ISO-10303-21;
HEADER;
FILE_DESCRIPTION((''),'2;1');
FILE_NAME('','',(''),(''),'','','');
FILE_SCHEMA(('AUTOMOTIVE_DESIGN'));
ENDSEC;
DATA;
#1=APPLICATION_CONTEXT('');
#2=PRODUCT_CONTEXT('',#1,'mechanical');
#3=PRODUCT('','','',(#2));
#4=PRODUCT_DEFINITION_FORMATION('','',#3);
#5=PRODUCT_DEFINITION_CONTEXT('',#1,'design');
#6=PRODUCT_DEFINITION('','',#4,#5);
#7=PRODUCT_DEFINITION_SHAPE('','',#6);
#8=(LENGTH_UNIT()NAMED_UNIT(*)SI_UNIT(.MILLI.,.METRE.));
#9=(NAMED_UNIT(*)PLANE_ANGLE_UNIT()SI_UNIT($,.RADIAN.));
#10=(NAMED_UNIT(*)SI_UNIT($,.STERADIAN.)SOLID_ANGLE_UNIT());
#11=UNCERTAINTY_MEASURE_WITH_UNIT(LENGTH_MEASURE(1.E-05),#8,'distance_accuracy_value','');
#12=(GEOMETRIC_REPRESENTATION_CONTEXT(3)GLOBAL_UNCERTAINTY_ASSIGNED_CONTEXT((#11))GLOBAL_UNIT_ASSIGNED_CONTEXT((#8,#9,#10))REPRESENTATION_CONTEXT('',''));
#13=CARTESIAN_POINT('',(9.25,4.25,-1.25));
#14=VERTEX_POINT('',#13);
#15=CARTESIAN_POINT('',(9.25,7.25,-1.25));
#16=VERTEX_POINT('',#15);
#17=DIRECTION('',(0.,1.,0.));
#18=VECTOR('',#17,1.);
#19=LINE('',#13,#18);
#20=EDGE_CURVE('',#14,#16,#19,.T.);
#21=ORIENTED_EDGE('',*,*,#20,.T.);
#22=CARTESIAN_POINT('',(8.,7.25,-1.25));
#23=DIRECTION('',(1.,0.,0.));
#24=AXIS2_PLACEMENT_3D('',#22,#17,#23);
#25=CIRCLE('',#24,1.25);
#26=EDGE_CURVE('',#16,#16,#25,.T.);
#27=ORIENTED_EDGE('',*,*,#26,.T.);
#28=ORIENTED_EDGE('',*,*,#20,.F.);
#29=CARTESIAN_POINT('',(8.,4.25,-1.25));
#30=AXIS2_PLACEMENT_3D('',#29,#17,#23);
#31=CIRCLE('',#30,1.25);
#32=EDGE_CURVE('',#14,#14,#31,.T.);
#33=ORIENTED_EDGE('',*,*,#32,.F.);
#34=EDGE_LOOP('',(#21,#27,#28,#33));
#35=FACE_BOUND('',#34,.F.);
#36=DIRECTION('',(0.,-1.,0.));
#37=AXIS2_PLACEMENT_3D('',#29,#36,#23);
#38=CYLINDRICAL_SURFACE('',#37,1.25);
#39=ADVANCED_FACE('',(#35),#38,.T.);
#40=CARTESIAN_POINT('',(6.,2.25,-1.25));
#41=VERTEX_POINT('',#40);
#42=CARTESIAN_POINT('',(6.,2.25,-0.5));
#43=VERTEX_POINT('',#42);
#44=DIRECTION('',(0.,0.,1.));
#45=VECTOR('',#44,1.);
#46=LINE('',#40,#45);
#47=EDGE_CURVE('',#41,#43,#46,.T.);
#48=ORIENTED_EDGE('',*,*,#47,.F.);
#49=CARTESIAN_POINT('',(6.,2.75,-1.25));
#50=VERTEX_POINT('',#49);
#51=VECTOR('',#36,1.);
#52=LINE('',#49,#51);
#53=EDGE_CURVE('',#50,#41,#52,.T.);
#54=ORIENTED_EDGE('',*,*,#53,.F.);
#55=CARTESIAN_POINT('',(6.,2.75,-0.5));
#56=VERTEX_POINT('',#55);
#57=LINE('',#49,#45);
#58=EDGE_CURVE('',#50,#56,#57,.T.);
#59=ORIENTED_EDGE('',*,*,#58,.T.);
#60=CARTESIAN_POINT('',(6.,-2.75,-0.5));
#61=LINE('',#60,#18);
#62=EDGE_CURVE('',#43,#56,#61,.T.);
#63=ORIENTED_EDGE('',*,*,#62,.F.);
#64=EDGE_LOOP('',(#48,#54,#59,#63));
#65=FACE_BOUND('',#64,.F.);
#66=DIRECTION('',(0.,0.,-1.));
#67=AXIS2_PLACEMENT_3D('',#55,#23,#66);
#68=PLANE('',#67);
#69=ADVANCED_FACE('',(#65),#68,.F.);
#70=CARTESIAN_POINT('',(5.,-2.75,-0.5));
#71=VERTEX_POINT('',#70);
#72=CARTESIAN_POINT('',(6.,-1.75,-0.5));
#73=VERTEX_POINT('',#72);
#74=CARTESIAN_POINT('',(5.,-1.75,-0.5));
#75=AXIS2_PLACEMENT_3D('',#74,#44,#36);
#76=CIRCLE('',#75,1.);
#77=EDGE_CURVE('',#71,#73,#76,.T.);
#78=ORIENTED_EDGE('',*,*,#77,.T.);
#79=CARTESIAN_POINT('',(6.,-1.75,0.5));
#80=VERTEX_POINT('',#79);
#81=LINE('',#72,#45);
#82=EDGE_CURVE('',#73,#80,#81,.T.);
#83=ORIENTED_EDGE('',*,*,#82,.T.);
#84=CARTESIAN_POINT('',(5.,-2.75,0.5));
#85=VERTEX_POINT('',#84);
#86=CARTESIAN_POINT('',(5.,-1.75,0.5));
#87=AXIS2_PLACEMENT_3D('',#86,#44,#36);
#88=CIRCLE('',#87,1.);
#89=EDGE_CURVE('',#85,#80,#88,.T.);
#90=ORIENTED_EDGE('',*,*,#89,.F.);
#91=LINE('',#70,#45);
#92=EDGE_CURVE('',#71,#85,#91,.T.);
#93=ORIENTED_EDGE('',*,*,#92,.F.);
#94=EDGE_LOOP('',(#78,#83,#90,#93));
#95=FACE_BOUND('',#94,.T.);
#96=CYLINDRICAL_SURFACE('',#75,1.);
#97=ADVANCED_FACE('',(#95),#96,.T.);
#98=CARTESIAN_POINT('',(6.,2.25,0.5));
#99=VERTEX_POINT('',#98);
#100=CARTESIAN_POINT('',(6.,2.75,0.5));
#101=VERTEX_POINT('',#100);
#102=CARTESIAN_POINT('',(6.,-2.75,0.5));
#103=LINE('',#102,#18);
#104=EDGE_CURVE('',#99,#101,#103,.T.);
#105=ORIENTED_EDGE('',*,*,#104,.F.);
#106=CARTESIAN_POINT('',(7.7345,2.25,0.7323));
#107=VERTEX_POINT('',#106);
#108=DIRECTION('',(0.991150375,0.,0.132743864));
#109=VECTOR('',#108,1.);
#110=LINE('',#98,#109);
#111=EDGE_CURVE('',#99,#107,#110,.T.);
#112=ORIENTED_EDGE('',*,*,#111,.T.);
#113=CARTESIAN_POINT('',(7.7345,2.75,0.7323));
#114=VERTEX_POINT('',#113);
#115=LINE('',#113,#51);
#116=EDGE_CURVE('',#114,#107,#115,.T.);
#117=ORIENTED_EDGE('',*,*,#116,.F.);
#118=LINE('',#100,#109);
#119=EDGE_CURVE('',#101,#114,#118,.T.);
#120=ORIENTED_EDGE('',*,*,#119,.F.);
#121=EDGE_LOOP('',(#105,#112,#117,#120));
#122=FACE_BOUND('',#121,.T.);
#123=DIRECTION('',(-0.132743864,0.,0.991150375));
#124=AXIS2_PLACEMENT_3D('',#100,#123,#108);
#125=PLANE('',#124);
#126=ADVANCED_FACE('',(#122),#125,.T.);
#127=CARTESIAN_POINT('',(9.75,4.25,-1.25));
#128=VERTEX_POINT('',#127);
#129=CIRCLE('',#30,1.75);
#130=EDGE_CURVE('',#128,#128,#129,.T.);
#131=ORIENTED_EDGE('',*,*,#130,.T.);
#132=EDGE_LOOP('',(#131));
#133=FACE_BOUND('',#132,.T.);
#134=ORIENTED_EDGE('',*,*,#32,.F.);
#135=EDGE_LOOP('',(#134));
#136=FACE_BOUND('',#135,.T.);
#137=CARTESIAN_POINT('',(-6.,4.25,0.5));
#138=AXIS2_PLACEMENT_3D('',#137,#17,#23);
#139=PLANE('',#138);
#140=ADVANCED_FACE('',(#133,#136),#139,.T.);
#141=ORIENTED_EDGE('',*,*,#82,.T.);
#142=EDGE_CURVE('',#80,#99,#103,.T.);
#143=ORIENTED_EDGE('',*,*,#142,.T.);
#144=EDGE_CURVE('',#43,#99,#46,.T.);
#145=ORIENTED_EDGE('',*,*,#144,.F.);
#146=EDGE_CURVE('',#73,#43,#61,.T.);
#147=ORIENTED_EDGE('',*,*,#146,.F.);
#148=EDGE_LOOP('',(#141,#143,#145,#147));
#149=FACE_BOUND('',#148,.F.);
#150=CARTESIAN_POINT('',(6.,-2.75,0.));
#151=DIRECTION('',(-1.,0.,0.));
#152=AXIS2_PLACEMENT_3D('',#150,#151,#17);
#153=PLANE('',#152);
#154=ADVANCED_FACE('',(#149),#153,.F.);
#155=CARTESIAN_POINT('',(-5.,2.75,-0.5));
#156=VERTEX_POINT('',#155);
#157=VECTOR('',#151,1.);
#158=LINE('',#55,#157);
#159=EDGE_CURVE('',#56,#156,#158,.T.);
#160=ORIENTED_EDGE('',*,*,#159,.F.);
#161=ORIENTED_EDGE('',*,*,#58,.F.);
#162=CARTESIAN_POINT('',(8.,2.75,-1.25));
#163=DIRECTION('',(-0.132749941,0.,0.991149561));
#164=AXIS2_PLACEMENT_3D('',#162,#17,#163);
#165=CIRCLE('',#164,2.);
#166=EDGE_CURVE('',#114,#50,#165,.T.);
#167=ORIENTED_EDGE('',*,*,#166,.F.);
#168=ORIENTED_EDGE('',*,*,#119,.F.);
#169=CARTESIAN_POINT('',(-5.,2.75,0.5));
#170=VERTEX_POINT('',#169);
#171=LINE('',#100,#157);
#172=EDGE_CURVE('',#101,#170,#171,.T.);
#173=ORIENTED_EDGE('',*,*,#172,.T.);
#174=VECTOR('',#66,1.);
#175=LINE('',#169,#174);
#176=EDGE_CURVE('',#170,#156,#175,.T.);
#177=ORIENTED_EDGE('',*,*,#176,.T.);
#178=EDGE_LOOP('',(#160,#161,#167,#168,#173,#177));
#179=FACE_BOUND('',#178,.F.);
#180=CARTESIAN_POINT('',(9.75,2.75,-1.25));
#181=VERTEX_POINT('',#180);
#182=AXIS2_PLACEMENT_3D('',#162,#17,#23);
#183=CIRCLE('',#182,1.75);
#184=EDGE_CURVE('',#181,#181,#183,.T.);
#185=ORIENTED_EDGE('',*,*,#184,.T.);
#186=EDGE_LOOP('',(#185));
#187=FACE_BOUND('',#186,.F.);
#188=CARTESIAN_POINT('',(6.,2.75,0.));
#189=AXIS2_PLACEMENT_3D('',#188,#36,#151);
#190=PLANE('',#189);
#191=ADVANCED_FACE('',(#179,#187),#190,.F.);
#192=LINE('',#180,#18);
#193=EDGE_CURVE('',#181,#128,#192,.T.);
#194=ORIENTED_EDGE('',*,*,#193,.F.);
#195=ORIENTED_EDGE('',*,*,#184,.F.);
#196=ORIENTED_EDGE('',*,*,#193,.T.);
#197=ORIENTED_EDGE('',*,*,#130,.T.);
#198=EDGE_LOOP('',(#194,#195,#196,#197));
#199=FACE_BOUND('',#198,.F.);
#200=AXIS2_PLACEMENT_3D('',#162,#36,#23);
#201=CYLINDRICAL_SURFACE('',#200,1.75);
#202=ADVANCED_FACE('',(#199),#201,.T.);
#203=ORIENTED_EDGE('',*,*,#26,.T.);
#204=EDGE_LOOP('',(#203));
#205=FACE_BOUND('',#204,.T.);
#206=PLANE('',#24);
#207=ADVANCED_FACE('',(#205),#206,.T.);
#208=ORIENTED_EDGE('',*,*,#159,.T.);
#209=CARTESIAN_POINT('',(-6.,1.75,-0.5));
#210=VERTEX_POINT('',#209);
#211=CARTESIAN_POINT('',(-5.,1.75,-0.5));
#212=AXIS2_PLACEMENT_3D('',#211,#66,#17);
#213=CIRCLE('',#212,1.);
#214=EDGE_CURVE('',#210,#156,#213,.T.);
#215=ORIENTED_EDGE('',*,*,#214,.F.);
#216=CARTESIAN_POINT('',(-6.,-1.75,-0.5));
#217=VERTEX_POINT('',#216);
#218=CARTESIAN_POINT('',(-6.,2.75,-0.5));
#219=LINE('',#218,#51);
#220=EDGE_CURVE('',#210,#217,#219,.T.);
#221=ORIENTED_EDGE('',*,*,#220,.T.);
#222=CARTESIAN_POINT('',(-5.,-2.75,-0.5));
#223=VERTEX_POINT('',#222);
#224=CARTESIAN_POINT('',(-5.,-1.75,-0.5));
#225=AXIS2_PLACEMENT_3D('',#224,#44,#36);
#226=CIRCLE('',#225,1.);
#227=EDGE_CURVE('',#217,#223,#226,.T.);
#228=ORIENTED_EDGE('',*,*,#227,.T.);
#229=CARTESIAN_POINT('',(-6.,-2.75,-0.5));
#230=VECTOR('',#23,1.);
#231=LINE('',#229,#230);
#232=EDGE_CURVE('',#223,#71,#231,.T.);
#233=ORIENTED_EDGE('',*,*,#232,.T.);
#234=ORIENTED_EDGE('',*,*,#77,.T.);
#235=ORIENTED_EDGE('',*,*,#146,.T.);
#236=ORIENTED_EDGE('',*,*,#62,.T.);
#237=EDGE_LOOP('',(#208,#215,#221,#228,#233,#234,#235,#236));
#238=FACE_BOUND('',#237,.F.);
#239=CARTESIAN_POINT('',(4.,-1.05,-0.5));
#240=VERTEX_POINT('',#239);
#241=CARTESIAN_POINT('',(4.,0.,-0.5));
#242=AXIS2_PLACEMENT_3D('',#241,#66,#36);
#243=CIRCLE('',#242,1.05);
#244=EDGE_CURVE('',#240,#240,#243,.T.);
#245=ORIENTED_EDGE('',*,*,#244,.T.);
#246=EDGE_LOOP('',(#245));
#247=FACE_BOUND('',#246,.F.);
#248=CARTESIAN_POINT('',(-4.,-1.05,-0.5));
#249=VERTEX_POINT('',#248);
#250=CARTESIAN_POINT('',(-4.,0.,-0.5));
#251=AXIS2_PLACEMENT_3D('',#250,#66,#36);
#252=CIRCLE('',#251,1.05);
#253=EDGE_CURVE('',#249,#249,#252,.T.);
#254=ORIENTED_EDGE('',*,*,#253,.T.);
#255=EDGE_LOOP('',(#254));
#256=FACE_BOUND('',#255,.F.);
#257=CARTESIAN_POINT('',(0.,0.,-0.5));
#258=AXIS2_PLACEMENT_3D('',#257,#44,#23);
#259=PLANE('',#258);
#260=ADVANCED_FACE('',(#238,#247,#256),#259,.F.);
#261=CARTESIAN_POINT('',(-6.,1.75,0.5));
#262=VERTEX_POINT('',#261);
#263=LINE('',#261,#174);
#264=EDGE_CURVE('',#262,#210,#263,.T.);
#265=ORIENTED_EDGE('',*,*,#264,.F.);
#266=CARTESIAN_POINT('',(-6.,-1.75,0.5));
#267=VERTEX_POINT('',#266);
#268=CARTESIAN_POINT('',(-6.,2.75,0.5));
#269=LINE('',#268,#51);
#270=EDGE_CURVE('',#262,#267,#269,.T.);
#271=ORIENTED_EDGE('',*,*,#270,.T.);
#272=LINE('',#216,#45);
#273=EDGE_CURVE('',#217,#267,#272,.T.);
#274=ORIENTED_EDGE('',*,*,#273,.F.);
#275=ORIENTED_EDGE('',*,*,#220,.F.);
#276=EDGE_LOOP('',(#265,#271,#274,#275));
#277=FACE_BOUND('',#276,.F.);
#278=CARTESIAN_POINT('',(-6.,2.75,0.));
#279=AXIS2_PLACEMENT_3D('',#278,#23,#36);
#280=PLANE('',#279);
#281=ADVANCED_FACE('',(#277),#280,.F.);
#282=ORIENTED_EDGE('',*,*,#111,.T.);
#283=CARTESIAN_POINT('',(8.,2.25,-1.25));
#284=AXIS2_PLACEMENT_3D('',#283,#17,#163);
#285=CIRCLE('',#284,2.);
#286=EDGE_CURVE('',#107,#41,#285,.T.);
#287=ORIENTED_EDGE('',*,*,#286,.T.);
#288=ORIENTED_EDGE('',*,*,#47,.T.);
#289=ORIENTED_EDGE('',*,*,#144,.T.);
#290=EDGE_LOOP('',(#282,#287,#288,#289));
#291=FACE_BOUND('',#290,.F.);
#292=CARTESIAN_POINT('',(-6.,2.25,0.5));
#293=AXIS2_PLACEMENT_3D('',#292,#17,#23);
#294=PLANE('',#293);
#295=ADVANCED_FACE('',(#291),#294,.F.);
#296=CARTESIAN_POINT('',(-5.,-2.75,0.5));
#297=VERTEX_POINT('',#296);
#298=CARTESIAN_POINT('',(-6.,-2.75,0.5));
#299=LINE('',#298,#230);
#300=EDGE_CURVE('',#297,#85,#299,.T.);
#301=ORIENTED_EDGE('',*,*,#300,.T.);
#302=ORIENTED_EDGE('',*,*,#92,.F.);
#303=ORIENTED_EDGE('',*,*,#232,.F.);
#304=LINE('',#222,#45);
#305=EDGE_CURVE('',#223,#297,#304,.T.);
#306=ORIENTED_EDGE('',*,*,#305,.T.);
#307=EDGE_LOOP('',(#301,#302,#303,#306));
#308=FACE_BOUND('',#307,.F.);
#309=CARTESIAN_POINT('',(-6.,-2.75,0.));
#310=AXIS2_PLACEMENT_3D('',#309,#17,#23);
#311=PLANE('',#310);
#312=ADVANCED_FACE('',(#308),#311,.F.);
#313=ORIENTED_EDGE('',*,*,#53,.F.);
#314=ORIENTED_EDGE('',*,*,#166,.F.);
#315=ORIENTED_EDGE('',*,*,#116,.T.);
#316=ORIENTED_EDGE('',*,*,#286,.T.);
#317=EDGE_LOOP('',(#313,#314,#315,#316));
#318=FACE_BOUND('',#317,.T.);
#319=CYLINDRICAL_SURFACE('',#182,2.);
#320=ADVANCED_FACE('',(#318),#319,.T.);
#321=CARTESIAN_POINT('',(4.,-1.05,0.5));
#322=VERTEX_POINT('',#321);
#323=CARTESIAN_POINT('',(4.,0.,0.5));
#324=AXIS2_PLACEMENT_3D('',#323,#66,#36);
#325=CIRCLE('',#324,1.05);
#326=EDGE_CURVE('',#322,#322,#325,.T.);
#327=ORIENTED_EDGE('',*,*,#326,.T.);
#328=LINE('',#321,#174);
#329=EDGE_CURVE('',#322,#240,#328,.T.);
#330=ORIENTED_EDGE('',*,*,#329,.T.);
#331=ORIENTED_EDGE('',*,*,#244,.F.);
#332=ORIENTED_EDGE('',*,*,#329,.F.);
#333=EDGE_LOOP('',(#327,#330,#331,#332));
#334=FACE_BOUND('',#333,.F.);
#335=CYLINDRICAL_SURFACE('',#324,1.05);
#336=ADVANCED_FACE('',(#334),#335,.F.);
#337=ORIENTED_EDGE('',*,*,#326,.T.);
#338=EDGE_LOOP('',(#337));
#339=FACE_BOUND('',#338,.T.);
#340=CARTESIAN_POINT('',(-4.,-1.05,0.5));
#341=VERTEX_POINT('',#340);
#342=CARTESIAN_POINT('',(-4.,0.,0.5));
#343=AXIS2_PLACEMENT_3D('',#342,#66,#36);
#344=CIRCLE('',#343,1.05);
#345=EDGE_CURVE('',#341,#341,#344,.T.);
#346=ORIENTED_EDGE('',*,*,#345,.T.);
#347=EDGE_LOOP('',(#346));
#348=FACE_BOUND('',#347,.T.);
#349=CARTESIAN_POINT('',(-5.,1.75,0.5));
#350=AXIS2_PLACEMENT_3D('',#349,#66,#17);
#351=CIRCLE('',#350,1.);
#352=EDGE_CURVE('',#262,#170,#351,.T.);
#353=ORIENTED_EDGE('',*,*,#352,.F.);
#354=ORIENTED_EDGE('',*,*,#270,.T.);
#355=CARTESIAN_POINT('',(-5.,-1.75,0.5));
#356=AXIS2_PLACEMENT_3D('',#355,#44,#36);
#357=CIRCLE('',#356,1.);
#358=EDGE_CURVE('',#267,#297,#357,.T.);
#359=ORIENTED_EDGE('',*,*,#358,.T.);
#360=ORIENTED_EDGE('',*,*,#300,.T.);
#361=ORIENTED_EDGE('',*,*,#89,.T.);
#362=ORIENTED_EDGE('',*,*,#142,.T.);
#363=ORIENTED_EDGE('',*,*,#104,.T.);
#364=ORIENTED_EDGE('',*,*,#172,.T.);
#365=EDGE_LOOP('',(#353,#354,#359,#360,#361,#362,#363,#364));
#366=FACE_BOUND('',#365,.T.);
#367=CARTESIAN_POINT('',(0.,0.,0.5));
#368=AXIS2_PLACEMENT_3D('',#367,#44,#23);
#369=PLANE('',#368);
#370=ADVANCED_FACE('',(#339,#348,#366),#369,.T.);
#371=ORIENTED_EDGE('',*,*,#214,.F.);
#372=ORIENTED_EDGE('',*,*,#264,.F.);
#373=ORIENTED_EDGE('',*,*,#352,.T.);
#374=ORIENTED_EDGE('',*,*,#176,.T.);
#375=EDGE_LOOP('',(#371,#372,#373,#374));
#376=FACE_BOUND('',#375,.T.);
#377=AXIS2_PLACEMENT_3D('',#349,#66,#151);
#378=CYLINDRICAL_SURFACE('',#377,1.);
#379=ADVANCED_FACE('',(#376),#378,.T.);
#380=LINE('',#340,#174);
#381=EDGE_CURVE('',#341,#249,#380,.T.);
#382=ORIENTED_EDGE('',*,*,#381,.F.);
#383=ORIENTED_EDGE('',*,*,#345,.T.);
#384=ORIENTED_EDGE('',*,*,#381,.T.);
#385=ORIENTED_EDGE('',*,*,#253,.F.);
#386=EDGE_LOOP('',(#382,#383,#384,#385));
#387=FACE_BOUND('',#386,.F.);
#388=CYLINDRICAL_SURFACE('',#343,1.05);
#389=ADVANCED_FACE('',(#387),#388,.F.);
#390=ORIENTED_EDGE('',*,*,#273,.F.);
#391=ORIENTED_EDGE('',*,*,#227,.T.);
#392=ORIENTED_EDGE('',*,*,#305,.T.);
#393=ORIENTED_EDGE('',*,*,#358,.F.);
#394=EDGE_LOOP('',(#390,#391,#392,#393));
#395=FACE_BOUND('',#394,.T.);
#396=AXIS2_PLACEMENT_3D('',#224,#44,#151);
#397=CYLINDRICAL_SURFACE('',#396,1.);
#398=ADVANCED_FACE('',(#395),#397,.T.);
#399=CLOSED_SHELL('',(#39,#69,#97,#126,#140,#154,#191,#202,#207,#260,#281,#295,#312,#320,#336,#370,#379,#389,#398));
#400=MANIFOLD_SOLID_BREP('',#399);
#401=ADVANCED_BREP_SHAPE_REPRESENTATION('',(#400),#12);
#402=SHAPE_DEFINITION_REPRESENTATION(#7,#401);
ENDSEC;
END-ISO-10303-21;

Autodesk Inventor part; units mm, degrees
ref_plane "YZ Plane" through (0, 0, 0) normal (1, 0, 0) x (0, 1, 0)
ref_plane "XZ Plane" through (0, 0, 0) normal (0, 1, 0) x (-1, 0, 0)
ref_plane "XY Plane" through (0, 0, 0) normal (0, 0, 1) x (1, 0, 0)
sketch "スケッチ1" plane through (0, 0, 0) normal (0, 0, 1) x (1, 0, 0)
  line L0 (-6, -2.75) -> (6, -2.75)
  line L1 (6, -2.75) -> (6, 2.75)
  line L2 (6, 2.75) -> (-6, 2.75)
  line L3 (-6, 2.75) -> (-6, -2.75)
  line L4 (-6, -2.75) -> (6, 2.75) construction
  line L5 (6, -2.75) -> (-6, 2.75) construction
  point P0 (0, 0)
  point P1 (0, 0)
  point P2 (0, 0)
  dimension "d0" = 12
  dimension "d1" = 5.5
extrude "押し出し1" add sketch "スケッチ1" along normal mid plane 1
sketch "スケッチ2" plane through (-6, 2.75, 0.5) normal (0, 1, 0) x (1, 0, 0)
  circle A0 centre (14, 1.75) radius 1.75
  line L0 (12, 0) -> (0, 0) projected
  line L1 (12, 1) -> (12, 0) projected
  circle A1 centre (14, 1.75) radius 2
  line L2 (12, 0) -> (13.7345, -0.2323)
  line L3 (12, 1) -> (12, 1.75)
  point P0 (6, 0.5)
  dimension "d4" = 3.5
  dimension "d5" = 4
extrude "押し出し2" add sketch "スケッチ2" against normal blind 0.5 contours A0 | L3 A1 L2 L1 | A1
sketch "スケッチ3" plane through (-6, 2.75, 0.5) normal (0, 1, 0) x (1, 0, 0)
  arc A0 (13.7345, -0.2323) -> (12, 1.75) centre (14, 1.75) ccw projected
  circle A1 centre (14, 1.75) radius 1.75
  point P0 (6, 0.5)
  dimension "d8" = 3.5
extrude "押し出し3" add sketch "スケッチ3" along normal blind 1.5
sketch "スケッチ4" plane through (8, 4.25, -1.25) normal (0, 1, 0) x (1, 0, 0)
  circle A0 centre (0, 0) radius 1.25
  circle A1 centre (0, 0) radius 1.75 projected
  point P0 (-8, -1.25)
  dimension "d11" = 2.5
extrude "押し出し4" add sketch "スケッチ4" along normal blind 3 contours A0
sketch "スケッチ5" plane through (0, 0, 0.5) normal (0, 0, 1) x (1, 0, 0)
  line L0 (-6, 2.75) -> (-6, -2.75) projected
  line L1 (6, -2.75) -> (6, 2.25) projected
  line L2 (-6, 0) -> (6, 0) construction
  point P0 (0, 0)
  point P1 (-4, 0)
  point P2 (4, 0)
  point P3 (0, 0)
  dimension "d14" = 4
  dimension "d15" = 4
hole "穴1" at (-4, 0, 0.5) at (4, 0, 0.5) direction (0, 0, -1) diameter 2.1 depth 4 tip angle 118
fillet "フィレット1" radius 1 3 edges at (6, -2.75, 0) (-6, -2.75, 0) (-6, 2.75, 0)
equation "\"d15\" = d14"
properties part number "hinge"
